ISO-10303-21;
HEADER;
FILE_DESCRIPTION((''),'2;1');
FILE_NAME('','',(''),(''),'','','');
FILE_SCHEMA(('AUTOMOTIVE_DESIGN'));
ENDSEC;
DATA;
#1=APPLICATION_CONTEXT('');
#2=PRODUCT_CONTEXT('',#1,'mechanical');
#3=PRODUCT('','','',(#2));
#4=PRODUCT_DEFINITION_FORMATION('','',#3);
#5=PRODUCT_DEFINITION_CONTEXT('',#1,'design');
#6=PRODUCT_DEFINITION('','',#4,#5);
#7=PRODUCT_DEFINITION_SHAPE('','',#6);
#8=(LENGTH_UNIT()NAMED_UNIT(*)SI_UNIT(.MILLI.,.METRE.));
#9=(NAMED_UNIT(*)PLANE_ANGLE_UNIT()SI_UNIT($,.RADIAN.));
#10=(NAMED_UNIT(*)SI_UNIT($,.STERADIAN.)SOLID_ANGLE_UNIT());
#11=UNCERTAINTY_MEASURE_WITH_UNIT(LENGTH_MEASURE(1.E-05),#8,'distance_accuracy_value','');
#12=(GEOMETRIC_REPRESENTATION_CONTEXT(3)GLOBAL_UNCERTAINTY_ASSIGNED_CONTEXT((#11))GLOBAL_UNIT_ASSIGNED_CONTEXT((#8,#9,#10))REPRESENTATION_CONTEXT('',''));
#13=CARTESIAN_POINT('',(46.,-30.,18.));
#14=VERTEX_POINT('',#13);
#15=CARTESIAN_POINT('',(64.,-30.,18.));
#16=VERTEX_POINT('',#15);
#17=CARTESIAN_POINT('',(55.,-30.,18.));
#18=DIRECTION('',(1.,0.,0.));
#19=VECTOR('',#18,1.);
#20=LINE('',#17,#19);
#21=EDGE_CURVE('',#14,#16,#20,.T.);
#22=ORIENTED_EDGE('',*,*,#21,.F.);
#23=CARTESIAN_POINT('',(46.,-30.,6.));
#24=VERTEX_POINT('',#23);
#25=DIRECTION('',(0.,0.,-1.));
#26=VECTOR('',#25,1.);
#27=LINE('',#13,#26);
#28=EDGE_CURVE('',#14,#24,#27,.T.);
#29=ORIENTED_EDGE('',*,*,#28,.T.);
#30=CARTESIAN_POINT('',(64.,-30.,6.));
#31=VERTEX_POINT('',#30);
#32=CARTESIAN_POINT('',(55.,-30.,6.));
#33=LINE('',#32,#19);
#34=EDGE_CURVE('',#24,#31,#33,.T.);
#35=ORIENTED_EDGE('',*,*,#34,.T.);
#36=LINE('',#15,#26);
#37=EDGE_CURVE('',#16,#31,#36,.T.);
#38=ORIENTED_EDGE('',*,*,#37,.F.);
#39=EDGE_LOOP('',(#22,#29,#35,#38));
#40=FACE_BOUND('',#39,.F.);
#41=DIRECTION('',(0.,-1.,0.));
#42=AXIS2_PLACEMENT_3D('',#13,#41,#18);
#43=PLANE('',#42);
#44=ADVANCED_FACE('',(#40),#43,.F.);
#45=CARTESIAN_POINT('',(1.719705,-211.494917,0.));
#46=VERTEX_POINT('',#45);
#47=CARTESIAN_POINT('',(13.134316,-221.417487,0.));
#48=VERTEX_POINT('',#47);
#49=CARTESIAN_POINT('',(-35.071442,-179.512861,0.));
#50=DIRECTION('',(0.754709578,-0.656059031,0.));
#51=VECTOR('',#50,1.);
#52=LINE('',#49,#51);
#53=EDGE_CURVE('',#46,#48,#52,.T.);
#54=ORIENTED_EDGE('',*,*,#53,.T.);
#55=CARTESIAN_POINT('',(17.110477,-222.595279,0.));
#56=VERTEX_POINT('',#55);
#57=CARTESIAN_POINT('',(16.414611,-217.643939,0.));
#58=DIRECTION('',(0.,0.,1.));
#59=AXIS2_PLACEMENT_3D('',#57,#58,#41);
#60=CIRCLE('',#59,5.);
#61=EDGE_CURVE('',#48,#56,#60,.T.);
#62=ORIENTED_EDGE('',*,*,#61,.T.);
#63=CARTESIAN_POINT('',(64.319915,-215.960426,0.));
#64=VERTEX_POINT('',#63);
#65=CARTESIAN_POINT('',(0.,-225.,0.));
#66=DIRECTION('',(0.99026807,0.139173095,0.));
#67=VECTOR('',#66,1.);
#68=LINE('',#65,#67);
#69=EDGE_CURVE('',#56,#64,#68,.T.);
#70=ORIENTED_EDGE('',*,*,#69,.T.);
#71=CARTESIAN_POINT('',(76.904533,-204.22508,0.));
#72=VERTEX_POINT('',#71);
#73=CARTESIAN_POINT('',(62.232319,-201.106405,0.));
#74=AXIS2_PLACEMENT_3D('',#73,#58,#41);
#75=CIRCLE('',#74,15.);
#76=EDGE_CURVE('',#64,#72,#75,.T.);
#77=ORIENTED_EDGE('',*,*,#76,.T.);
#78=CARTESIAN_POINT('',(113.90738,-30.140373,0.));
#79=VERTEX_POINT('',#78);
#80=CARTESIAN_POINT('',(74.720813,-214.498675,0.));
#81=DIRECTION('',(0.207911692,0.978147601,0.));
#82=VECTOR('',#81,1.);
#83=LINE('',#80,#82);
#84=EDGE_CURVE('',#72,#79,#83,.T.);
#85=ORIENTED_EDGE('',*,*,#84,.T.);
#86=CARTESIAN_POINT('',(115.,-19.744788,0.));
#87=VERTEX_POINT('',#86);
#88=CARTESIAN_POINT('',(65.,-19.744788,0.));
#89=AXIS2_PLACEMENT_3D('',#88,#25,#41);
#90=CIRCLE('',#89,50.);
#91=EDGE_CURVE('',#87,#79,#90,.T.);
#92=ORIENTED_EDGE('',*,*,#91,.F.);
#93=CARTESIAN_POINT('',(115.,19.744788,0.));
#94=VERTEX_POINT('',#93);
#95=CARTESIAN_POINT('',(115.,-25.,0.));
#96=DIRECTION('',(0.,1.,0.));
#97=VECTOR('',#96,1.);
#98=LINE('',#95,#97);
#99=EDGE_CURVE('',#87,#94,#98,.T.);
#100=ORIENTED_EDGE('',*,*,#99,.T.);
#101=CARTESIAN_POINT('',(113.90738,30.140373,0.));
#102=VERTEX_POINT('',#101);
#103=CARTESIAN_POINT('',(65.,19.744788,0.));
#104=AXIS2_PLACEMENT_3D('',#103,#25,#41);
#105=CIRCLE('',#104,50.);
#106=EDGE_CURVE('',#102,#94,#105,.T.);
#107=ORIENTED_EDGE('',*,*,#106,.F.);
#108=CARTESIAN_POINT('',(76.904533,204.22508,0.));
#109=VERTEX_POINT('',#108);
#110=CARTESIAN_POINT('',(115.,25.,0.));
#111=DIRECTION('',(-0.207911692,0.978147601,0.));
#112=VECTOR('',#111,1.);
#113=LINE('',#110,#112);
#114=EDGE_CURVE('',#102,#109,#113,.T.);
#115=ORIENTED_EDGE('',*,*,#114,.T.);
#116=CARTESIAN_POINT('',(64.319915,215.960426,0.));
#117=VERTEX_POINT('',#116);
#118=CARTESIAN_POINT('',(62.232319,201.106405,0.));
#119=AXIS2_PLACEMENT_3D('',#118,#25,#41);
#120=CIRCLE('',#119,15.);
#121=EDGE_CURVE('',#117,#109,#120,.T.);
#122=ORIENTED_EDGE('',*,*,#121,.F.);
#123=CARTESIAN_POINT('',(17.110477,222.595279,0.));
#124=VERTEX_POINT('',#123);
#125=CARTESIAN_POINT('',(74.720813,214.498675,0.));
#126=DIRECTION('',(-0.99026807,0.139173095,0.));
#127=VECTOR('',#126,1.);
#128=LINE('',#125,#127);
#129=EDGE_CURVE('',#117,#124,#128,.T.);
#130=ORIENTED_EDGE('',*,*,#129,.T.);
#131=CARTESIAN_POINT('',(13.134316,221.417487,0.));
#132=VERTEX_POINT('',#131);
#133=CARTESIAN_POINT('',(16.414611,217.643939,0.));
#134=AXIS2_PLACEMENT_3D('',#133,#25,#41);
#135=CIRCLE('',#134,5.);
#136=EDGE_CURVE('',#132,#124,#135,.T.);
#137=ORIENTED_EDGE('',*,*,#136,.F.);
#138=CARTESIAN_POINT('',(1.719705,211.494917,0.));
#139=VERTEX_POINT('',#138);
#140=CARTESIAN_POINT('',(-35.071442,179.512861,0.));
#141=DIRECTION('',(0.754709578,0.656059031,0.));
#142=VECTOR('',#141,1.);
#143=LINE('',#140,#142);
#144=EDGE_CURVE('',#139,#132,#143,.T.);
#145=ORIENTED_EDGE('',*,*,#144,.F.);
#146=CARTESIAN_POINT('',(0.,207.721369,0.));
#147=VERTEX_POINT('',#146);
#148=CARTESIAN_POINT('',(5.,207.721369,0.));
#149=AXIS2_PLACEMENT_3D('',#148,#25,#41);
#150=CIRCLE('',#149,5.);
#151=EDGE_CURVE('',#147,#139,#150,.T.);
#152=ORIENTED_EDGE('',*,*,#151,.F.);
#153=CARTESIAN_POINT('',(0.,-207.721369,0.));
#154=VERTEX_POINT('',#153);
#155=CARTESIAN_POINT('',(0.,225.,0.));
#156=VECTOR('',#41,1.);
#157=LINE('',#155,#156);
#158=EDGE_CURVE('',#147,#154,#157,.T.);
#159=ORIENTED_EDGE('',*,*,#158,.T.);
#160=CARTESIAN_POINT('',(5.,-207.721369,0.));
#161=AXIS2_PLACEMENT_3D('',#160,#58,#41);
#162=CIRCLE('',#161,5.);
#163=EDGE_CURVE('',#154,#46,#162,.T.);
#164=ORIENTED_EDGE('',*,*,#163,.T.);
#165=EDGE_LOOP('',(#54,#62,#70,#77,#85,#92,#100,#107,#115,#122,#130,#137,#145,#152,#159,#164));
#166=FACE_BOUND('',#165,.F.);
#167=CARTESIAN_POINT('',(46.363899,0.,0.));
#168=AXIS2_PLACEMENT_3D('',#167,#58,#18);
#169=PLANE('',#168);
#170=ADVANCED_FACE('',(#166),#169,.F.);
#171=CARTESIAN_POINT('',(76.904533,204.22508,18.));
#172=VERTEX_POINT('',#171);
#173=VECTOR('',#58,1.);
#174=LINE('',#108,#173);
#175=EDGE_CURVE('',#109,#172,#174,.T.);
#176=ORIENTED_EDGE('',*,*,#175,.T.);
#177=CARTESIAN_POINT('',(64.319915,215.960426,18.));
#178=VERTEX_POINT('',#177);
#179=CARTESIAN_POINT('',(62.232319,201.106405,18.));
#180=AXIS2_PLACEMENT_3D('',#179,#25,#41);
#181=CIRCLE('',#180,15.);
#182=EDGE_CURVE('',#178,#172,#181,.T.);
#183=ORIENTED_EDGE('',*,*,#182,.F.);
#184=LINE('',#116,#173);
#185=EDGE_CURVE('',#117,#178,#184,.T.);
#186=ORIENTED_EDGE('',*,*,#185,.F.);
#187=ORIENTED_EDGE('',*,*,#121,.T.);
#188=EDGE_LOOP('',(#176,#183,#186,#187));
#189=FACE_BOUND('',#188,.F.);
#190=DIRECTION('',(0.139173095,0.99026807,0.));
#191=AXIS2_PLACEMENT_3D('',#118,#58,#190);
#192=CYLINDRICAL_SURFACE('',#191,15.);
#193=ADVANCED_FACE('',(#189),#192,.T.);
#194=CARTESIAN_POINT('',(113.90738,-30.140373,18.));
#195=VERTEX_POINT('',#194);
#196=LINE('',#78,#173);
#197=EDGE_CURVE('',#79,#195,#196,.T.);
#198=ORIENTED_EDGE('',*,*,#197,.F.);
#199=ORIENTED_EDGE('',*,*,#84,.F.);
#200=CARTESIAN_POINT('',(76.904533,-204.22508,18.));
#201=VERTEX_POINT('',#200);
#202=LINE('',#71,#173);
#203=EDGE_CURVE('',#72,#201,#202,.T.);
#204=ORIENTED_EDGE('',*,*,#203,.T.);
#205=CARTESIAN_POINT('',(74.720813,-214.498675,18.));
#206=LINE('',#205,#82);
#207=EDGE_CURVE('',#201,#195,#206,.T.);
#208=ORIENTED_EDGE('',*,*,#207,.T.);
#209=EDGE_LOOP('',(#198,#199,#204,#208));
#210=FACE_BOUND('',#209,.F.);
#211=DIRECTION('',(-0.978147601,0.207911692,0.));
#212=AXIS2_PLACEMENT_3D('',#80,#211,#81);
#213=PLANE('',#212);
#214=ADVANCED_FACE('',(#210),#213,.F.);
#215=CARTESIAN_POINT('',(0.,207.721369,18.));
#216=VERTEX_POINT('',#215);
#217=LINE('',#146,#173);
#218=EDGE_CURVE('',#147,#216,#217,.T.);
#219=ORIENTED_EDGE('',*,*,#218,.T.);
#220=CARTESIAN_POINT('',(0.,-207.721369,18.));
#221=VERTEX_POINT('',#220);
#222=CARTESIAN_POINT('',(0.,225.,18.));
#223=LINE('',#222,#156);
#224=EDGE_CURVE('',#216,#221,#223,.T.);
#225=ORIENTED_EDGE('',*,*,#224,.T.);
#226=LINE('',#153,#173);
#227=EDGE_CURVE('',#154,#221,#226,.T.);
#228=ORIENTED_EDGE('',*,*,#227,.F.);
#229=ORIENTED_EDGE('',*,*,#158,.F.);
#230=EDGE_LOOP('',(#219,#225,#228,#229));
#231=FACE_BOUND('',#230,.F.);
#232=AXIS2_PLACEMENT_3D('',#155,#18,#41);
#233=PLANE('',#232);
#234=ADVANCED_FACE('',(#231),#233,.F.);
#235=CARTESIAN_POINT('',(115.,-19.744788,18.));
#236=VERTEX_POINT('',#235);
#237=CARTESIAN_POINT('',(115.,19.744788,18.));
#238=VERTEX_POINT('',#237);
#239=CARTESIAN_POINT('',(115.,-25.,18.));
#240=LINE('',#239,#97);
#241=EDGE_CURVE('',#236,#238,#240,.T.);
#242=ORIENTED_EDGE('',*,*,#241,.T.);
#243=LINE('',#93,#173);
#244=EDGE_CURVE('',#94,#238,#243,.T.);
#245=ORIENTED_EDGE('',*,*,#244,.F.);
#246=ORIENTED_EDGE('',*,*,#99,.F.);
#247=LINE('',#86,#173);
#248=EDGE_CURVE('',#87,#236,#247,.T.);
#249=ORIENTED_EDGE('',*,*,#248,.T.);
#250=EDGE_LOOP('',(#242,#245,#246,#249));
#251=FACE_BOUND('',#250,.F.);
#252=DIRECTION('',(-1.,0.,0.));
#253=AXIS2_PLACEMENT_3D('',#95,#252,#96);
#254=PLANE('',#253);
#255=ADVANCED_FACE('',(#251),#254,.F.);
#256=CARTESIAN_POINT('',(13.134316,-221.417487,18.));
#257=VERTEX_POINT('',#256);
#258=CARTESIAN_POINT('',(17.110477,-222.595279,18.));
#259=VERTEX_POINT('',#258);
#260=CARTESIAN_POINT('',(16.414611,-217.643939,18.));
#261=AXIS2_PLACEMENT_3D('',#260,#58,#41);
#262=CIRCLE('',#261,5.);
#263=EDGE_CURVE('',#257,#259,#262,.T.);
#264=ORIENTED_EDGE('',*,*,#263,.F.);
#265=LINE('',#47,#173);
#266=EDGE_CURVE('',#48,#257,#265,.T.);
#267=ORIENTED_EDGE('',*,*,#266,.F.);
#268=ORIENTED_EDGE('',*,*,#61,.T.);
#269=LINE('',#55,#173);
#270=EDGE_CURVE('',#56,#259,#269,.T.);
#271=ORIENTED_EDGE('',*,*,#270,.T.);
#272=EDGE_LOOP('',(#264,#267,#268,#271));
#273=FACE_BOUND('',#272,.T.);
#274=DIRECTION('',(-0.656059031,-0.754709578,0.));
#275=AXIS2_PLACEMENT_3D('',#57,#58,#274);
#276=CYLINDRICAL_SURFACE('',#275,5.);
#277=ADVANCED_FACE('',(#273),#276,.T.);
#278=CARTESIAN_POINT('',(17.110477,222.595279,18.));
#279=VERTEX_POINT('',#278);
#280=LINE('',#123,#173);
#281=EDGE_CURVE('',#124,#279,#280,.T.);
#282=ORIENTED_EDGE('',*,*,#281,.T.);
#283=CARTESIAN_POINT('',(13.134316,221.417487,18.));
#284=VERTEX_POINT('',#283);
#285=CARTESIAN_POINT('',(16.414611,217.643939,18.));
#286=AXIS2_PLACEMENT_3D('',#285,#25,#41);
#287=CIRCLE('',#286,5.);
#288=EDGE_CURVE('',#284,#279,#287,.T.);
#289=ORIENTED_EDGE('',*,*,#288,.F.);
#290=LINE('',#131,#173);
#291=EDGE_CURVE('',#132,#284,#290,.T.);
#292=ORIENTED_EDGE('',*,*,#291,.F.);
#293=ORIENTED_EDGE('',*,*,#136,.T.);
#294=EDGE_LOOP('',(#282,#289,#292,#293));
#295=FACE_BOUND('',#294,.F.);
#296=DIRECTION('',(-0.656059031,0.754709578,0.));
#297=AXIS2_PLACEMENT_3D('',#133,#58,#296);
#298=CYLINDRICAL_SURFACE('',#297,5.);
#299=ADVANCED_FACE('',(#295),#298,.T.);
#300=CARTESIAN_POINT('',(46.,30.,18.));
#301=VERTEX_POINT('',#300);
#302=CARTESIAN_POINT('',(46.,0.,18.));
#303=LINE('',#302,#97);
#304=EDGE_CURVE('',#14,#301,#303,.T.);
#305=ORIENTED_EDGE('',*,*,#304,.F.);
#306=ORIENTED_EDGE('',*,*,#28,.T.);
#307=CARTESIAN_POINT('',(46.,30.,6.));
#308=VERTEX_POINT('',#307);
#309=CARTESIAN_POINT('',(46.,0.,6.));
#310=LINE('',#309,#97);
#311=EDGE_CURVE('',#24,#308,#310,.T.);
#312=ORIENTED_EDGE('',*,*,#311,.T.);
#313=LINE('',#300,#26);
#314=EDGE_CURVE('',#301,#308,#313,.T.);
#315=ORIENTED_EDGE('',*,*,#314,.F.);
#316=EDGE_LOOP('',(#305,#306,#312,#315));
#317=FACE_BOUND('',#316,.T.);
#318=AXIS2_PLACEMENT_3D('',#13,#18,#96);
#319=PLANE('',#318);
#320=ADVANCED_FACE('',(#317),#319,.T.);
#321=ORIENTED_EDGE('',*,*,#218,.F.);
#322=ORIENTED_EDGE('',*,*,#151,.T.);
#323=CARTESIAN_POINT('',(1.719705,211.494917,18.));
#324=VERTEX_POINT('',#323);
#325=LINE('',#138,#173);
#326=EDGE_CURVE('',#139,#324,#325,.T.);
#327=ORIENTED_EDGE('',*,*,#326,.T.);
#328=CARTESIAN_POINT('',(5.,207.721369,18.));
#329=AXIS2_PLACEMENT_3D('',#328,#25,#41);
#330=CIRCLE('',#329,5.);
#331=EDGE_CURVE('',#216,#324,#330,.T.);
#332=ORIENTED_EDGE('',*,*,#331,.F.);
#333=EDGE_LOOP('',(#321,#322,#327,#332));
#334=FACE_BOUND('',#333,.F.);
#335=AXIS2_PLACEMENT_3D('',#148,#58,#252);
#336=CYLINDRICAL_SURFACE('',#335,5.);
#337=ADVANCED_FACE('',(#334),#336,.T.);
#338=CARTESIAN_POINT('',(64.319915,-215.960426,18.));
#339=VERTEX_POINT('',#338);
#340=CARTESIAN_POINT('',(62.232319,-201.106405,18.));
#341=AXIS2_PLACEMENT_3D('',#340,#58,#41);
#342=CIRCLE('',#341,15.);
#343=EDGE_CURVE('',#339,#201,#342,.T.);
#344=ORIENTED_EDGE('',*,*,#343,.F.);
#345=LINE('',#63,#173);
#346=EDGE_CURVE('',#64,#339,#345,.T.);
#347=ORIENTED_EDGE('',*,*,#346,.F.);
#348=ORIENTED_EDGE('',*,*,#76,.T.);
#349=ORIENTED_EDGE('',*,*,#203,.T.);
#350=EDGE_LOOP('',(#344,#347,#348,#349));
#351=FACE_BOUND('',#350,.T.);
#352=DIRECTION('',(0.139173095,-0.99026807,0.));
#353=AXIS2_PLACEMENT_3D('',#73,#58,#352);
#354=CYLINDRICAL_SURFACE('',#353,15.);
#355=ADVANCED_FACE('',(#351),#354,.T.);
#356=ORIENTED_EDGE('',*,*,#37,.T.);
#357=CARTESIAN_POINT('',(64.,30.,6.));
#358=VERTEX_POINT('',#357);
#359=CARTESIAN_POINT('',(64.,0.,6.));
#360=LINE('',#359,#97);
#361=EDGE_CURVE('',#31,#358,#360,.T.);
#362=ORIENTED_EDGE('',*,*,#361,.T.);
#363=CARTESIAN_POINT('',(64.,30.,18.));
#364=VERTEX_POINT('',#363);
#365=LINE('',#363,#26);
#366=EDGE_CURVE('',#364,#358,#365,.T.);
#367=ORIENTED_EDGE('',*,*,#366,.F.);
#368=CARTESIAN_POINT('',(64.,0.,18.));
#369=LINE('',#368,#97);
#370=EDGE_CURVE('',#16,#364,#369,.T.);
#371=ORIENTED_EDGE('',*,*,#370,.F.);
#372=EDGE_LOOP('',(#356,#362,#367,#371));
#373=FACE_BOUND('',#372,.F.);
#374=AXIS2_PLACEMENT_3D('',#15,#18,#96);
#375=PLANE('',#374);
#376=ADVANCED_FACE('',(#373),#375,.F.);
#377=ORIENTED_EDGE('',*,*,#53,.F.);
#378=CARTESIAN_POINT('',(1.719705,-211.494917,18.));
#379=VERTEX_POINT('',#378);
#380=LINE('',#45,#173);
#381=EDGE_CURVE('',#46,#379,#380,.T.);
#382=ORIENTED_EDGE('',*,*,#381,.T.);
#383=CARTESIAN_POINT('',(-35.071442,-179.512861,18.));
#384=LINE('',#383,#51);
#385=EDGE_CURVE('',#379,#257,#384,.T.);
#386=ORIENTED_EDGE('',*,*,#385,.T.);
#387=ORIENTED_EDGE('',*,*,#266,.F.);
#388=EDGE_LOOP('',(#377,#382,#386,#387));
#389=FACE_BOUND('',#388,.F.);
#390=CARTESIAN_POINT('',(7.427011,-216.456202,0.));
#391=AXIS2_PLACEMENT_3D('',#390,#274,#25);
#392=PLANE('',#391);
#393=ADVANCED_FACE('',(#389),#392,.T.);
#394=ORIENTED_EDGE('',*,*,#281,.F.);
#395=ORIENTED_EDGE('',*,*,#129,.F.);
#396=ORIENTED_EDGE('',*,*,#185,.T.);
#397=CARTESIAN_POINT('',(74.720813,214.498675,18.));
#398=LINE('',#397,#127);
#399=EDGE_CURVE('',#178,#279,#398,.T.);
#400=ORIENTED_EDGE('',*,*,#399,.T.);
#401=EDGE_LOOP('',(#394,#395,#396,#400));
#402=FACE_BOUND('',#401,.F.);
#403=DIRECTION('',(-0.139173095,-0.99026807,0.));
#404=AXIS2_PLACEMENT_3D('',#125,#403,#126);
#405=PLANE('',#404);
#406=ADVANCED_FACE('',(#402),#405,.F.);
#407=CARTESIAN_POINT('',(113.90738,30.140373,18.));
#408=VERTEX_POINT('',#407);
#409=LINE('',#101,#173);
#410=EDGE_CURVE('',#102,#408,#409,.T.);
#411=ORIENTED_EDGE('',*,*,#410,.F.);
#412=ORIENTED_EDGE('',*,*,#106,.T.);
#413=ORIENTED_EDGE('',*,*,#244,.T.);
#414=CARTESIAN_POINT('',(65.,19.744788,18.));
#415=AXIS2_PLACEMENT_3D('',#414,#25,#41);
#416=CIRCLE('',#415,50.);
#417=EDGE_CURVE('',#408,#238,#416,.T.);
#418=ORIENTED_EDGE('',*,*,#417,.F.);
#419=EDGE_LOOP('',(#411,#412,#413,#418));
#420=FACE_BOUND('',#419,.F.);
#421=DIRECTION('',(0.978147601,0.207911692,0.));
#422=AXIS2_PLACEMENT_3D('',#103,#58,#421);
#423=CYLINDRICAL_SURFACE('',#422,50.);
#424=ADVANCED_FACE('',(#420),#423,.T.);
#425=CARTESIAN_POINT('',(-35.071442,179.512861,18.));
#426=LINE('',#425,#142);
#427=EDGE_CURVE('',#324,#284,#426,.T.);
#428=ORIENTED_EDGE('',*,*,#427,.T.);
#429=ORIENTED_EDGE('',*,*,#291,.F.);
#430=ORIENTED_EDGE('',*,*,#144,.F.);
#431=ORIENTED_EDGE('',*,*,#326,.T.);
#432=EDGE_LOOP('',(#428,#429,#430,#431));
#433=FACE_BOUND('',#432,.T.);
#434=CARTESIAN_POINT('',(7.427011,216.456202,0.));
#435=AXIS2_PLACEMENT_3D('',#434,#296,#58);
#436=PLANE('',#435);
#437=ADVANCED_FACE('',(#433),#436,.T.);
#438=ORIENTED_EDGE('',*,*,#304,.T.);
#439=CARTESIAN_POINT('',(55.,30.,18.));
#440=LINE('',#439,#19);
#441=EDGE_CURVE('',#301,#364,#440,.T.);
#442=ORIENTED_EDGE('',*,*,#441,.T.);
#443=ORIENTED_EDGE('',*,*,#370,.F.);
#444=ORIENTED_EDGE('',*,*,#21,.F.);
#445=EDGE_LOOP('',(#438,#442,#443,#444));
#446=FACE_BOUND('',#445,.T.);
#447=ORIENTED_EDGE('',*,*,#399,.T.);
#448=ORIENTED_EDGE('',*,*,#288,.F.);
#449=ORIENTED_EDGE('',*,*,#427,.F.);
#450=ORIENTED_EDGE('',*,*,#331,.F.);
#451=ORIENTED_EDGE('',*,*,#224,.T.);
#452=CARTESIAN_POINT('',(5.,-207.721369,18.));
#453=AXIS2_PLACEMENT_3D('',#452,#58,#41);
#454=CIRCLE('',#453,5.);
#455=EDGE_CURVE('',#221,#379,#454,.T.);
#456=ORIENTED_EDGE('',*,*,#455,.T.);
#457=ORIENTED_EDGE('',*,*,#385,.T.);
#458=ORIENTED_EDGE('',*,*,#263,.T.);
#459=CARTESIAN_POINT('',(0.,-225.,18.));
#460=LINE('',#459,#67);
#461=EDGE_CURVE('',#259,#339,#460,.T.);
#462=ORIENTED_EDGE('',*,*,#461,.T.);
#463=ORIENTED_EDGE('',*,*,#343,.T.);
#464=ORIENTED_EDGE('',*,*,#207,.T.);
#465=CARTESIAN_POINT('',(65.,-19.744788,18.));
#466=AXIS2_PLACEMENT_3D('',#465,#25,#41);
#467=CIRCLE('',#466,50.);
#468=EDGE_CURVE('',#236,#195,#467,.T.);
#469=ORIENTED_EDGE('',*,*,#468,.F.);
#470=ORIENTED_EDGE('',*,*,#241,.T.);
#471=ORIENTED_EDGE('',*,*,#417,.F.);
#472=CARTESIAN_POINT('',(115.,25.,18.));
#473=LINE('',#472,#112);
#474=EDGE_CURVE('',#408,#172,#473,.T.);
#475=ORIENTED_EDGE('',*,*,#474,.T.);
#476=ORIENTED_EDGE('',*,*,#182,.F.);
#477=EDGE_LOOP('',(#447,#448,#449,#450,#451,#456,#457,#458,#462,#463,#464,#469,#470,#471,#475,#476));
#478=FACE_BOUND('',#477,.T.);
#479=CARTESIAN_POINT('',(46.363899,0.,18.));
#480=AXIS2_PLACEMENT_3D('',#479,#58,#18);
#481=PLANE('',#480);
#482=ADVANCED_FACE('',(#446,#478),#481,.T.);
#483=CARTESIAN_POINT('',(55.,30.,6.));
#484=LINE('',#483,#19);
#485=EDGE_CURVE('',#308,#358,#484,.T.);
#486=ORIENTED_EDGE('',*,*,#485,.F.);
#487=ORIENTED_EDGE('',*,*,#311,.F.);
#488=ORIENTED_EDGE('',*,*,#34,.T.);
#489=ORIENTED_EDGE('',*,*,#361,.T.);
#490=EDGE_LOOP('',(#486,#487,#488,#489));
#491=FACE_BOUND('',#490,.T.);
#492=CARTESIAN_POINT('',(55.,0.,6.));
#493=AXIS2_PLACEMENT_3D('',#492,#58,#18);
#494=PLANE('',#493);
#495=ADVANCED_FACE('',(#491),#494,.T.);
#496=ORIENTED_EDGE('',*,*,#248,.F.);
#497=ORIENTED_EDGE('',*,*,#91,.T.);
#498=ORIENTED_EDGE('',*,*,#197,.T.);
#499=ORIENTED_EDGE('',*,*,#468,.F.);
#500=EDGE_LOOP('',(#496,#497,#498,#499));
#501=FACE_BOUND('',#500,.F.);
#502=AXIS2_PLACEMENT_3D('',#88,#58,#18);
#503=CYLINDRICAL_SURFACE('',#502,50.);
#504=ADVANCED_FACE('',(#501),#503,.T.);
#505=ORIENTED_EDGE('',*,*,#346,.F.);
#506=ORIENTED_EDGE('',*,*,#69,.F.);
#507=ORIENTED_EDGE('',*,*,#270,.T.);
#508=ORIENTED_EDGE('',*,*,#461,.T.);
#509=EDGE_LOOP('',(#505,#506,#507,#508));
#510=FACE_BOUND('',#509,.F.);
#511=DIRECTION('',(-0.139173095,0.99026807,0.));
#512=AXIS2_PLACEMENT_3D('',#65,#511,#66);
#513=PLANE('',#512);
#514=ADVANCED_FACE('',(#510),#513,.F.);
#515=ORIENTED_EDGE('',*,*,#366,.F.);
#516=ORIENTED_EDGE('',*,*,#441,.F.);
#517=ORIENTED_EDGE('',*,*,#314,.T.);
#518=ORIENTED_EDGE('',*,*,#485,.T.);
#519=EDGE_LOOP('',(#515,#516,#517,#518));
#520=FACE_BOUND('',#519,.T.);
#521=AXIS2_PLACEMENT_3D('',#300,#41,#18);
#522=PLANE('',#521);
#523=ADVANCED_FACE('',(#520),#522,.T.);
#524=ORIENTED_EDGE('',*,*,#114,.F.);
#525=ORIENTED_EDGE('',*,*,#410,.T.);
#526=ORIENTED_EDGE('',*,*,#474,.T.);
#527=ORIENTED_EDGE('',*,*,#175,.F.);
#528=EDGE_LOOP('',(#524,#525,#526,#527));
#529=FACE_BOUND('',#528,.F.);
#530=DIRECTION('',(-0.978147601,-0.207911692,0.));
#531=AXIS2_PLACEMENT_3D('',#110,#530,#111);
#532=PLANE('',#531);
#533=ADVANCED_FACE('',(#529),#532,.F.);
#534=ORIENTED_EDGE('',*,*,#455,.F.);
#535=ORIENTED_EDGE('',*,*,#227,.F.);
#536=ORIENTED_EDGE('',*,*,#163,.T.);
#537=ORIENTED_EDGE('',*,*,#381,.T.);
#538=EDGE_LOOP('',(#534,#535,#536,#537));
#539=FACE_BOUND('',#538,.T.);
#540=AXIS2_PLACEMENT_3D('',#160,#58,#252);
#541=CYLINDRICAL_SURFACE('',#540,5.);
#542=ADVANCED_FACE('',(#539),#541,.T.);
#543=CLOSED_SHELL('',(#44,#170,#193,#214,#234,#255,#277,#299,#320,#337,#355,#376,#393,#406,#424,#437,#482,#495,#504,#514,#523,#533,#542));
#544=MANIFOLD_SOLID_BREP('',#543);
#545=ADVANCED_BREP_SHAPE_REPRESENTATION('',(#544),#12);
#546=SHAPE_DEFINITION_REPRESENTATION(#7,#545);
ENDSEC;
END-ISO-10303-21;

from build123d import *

# Parameters (mm, degrees)
PAD_DEPTH    = 18
SKETCH001_W  = 18
SKETCH001_H  = 60
POCKET_DEPTH = 12
CHAMFER_SIZE = 15
FILLET_R     = 5
FILLET001_R  = 15
FILLET002_R  = 50


with BuildPart() as part:
    # Sketch → Pad (new body)
    with BuildSketch(Plane.XY):
        Polygon((0, 225), (0, -225), (74.720813, -214.498675), (115, -25), (115, 25), (74.720813, 214.498675), align=None)
    extrude(amount=PAD_DEPTH)

    # Sketch001 → Pocket (cut)
    with BuildSketch(Plane.XY.offset(18)):
        with Locations((55, 0)):
            Rectangle(SKETCH001_W, SKETCH001_H)
    extrude(amount=-POCKET_DEPTH, mode=Mode.SUBTRACT)

    # Chamfer
    chamfer_edges = [part.edges().sort_by_distance(p)[0] for p in [
        (0, -225, 9),
        (0, 225, 9),
    ]]
    chamfer(chamfer_edges, length=CHAMFER_SIZE)

    # Fillet
    fillet_edges = [part.edges().sort_by_distance(p)[0] for p in [
        (14.854021, 222.912403, 9),
        (0, 210, 9),
        (0, -210, 9),
        (14.854021, -222.912403, 9),
    ]]
    fillet(fillet_edges, radius=FILLET_R)

    # Fillet001
    fillet001_edges = [part.edges().sort_by_distance(p)[0] for p in [
        (74.720813, -214.498675, 9),
        (74.720813, 214.498675, 9),
    ]]
    fillet(fillet001_edges, radius=FILLET001_R)

    # Fillet002
    fillet002_edges = [part.edges().sort_by_distance(p)[0] for p in [
        (115, -25, 9),
        (115, 25, 9),
    ]]
    fillet(fillet002_edges, radius=FILLET002_R)


solid = part.part
